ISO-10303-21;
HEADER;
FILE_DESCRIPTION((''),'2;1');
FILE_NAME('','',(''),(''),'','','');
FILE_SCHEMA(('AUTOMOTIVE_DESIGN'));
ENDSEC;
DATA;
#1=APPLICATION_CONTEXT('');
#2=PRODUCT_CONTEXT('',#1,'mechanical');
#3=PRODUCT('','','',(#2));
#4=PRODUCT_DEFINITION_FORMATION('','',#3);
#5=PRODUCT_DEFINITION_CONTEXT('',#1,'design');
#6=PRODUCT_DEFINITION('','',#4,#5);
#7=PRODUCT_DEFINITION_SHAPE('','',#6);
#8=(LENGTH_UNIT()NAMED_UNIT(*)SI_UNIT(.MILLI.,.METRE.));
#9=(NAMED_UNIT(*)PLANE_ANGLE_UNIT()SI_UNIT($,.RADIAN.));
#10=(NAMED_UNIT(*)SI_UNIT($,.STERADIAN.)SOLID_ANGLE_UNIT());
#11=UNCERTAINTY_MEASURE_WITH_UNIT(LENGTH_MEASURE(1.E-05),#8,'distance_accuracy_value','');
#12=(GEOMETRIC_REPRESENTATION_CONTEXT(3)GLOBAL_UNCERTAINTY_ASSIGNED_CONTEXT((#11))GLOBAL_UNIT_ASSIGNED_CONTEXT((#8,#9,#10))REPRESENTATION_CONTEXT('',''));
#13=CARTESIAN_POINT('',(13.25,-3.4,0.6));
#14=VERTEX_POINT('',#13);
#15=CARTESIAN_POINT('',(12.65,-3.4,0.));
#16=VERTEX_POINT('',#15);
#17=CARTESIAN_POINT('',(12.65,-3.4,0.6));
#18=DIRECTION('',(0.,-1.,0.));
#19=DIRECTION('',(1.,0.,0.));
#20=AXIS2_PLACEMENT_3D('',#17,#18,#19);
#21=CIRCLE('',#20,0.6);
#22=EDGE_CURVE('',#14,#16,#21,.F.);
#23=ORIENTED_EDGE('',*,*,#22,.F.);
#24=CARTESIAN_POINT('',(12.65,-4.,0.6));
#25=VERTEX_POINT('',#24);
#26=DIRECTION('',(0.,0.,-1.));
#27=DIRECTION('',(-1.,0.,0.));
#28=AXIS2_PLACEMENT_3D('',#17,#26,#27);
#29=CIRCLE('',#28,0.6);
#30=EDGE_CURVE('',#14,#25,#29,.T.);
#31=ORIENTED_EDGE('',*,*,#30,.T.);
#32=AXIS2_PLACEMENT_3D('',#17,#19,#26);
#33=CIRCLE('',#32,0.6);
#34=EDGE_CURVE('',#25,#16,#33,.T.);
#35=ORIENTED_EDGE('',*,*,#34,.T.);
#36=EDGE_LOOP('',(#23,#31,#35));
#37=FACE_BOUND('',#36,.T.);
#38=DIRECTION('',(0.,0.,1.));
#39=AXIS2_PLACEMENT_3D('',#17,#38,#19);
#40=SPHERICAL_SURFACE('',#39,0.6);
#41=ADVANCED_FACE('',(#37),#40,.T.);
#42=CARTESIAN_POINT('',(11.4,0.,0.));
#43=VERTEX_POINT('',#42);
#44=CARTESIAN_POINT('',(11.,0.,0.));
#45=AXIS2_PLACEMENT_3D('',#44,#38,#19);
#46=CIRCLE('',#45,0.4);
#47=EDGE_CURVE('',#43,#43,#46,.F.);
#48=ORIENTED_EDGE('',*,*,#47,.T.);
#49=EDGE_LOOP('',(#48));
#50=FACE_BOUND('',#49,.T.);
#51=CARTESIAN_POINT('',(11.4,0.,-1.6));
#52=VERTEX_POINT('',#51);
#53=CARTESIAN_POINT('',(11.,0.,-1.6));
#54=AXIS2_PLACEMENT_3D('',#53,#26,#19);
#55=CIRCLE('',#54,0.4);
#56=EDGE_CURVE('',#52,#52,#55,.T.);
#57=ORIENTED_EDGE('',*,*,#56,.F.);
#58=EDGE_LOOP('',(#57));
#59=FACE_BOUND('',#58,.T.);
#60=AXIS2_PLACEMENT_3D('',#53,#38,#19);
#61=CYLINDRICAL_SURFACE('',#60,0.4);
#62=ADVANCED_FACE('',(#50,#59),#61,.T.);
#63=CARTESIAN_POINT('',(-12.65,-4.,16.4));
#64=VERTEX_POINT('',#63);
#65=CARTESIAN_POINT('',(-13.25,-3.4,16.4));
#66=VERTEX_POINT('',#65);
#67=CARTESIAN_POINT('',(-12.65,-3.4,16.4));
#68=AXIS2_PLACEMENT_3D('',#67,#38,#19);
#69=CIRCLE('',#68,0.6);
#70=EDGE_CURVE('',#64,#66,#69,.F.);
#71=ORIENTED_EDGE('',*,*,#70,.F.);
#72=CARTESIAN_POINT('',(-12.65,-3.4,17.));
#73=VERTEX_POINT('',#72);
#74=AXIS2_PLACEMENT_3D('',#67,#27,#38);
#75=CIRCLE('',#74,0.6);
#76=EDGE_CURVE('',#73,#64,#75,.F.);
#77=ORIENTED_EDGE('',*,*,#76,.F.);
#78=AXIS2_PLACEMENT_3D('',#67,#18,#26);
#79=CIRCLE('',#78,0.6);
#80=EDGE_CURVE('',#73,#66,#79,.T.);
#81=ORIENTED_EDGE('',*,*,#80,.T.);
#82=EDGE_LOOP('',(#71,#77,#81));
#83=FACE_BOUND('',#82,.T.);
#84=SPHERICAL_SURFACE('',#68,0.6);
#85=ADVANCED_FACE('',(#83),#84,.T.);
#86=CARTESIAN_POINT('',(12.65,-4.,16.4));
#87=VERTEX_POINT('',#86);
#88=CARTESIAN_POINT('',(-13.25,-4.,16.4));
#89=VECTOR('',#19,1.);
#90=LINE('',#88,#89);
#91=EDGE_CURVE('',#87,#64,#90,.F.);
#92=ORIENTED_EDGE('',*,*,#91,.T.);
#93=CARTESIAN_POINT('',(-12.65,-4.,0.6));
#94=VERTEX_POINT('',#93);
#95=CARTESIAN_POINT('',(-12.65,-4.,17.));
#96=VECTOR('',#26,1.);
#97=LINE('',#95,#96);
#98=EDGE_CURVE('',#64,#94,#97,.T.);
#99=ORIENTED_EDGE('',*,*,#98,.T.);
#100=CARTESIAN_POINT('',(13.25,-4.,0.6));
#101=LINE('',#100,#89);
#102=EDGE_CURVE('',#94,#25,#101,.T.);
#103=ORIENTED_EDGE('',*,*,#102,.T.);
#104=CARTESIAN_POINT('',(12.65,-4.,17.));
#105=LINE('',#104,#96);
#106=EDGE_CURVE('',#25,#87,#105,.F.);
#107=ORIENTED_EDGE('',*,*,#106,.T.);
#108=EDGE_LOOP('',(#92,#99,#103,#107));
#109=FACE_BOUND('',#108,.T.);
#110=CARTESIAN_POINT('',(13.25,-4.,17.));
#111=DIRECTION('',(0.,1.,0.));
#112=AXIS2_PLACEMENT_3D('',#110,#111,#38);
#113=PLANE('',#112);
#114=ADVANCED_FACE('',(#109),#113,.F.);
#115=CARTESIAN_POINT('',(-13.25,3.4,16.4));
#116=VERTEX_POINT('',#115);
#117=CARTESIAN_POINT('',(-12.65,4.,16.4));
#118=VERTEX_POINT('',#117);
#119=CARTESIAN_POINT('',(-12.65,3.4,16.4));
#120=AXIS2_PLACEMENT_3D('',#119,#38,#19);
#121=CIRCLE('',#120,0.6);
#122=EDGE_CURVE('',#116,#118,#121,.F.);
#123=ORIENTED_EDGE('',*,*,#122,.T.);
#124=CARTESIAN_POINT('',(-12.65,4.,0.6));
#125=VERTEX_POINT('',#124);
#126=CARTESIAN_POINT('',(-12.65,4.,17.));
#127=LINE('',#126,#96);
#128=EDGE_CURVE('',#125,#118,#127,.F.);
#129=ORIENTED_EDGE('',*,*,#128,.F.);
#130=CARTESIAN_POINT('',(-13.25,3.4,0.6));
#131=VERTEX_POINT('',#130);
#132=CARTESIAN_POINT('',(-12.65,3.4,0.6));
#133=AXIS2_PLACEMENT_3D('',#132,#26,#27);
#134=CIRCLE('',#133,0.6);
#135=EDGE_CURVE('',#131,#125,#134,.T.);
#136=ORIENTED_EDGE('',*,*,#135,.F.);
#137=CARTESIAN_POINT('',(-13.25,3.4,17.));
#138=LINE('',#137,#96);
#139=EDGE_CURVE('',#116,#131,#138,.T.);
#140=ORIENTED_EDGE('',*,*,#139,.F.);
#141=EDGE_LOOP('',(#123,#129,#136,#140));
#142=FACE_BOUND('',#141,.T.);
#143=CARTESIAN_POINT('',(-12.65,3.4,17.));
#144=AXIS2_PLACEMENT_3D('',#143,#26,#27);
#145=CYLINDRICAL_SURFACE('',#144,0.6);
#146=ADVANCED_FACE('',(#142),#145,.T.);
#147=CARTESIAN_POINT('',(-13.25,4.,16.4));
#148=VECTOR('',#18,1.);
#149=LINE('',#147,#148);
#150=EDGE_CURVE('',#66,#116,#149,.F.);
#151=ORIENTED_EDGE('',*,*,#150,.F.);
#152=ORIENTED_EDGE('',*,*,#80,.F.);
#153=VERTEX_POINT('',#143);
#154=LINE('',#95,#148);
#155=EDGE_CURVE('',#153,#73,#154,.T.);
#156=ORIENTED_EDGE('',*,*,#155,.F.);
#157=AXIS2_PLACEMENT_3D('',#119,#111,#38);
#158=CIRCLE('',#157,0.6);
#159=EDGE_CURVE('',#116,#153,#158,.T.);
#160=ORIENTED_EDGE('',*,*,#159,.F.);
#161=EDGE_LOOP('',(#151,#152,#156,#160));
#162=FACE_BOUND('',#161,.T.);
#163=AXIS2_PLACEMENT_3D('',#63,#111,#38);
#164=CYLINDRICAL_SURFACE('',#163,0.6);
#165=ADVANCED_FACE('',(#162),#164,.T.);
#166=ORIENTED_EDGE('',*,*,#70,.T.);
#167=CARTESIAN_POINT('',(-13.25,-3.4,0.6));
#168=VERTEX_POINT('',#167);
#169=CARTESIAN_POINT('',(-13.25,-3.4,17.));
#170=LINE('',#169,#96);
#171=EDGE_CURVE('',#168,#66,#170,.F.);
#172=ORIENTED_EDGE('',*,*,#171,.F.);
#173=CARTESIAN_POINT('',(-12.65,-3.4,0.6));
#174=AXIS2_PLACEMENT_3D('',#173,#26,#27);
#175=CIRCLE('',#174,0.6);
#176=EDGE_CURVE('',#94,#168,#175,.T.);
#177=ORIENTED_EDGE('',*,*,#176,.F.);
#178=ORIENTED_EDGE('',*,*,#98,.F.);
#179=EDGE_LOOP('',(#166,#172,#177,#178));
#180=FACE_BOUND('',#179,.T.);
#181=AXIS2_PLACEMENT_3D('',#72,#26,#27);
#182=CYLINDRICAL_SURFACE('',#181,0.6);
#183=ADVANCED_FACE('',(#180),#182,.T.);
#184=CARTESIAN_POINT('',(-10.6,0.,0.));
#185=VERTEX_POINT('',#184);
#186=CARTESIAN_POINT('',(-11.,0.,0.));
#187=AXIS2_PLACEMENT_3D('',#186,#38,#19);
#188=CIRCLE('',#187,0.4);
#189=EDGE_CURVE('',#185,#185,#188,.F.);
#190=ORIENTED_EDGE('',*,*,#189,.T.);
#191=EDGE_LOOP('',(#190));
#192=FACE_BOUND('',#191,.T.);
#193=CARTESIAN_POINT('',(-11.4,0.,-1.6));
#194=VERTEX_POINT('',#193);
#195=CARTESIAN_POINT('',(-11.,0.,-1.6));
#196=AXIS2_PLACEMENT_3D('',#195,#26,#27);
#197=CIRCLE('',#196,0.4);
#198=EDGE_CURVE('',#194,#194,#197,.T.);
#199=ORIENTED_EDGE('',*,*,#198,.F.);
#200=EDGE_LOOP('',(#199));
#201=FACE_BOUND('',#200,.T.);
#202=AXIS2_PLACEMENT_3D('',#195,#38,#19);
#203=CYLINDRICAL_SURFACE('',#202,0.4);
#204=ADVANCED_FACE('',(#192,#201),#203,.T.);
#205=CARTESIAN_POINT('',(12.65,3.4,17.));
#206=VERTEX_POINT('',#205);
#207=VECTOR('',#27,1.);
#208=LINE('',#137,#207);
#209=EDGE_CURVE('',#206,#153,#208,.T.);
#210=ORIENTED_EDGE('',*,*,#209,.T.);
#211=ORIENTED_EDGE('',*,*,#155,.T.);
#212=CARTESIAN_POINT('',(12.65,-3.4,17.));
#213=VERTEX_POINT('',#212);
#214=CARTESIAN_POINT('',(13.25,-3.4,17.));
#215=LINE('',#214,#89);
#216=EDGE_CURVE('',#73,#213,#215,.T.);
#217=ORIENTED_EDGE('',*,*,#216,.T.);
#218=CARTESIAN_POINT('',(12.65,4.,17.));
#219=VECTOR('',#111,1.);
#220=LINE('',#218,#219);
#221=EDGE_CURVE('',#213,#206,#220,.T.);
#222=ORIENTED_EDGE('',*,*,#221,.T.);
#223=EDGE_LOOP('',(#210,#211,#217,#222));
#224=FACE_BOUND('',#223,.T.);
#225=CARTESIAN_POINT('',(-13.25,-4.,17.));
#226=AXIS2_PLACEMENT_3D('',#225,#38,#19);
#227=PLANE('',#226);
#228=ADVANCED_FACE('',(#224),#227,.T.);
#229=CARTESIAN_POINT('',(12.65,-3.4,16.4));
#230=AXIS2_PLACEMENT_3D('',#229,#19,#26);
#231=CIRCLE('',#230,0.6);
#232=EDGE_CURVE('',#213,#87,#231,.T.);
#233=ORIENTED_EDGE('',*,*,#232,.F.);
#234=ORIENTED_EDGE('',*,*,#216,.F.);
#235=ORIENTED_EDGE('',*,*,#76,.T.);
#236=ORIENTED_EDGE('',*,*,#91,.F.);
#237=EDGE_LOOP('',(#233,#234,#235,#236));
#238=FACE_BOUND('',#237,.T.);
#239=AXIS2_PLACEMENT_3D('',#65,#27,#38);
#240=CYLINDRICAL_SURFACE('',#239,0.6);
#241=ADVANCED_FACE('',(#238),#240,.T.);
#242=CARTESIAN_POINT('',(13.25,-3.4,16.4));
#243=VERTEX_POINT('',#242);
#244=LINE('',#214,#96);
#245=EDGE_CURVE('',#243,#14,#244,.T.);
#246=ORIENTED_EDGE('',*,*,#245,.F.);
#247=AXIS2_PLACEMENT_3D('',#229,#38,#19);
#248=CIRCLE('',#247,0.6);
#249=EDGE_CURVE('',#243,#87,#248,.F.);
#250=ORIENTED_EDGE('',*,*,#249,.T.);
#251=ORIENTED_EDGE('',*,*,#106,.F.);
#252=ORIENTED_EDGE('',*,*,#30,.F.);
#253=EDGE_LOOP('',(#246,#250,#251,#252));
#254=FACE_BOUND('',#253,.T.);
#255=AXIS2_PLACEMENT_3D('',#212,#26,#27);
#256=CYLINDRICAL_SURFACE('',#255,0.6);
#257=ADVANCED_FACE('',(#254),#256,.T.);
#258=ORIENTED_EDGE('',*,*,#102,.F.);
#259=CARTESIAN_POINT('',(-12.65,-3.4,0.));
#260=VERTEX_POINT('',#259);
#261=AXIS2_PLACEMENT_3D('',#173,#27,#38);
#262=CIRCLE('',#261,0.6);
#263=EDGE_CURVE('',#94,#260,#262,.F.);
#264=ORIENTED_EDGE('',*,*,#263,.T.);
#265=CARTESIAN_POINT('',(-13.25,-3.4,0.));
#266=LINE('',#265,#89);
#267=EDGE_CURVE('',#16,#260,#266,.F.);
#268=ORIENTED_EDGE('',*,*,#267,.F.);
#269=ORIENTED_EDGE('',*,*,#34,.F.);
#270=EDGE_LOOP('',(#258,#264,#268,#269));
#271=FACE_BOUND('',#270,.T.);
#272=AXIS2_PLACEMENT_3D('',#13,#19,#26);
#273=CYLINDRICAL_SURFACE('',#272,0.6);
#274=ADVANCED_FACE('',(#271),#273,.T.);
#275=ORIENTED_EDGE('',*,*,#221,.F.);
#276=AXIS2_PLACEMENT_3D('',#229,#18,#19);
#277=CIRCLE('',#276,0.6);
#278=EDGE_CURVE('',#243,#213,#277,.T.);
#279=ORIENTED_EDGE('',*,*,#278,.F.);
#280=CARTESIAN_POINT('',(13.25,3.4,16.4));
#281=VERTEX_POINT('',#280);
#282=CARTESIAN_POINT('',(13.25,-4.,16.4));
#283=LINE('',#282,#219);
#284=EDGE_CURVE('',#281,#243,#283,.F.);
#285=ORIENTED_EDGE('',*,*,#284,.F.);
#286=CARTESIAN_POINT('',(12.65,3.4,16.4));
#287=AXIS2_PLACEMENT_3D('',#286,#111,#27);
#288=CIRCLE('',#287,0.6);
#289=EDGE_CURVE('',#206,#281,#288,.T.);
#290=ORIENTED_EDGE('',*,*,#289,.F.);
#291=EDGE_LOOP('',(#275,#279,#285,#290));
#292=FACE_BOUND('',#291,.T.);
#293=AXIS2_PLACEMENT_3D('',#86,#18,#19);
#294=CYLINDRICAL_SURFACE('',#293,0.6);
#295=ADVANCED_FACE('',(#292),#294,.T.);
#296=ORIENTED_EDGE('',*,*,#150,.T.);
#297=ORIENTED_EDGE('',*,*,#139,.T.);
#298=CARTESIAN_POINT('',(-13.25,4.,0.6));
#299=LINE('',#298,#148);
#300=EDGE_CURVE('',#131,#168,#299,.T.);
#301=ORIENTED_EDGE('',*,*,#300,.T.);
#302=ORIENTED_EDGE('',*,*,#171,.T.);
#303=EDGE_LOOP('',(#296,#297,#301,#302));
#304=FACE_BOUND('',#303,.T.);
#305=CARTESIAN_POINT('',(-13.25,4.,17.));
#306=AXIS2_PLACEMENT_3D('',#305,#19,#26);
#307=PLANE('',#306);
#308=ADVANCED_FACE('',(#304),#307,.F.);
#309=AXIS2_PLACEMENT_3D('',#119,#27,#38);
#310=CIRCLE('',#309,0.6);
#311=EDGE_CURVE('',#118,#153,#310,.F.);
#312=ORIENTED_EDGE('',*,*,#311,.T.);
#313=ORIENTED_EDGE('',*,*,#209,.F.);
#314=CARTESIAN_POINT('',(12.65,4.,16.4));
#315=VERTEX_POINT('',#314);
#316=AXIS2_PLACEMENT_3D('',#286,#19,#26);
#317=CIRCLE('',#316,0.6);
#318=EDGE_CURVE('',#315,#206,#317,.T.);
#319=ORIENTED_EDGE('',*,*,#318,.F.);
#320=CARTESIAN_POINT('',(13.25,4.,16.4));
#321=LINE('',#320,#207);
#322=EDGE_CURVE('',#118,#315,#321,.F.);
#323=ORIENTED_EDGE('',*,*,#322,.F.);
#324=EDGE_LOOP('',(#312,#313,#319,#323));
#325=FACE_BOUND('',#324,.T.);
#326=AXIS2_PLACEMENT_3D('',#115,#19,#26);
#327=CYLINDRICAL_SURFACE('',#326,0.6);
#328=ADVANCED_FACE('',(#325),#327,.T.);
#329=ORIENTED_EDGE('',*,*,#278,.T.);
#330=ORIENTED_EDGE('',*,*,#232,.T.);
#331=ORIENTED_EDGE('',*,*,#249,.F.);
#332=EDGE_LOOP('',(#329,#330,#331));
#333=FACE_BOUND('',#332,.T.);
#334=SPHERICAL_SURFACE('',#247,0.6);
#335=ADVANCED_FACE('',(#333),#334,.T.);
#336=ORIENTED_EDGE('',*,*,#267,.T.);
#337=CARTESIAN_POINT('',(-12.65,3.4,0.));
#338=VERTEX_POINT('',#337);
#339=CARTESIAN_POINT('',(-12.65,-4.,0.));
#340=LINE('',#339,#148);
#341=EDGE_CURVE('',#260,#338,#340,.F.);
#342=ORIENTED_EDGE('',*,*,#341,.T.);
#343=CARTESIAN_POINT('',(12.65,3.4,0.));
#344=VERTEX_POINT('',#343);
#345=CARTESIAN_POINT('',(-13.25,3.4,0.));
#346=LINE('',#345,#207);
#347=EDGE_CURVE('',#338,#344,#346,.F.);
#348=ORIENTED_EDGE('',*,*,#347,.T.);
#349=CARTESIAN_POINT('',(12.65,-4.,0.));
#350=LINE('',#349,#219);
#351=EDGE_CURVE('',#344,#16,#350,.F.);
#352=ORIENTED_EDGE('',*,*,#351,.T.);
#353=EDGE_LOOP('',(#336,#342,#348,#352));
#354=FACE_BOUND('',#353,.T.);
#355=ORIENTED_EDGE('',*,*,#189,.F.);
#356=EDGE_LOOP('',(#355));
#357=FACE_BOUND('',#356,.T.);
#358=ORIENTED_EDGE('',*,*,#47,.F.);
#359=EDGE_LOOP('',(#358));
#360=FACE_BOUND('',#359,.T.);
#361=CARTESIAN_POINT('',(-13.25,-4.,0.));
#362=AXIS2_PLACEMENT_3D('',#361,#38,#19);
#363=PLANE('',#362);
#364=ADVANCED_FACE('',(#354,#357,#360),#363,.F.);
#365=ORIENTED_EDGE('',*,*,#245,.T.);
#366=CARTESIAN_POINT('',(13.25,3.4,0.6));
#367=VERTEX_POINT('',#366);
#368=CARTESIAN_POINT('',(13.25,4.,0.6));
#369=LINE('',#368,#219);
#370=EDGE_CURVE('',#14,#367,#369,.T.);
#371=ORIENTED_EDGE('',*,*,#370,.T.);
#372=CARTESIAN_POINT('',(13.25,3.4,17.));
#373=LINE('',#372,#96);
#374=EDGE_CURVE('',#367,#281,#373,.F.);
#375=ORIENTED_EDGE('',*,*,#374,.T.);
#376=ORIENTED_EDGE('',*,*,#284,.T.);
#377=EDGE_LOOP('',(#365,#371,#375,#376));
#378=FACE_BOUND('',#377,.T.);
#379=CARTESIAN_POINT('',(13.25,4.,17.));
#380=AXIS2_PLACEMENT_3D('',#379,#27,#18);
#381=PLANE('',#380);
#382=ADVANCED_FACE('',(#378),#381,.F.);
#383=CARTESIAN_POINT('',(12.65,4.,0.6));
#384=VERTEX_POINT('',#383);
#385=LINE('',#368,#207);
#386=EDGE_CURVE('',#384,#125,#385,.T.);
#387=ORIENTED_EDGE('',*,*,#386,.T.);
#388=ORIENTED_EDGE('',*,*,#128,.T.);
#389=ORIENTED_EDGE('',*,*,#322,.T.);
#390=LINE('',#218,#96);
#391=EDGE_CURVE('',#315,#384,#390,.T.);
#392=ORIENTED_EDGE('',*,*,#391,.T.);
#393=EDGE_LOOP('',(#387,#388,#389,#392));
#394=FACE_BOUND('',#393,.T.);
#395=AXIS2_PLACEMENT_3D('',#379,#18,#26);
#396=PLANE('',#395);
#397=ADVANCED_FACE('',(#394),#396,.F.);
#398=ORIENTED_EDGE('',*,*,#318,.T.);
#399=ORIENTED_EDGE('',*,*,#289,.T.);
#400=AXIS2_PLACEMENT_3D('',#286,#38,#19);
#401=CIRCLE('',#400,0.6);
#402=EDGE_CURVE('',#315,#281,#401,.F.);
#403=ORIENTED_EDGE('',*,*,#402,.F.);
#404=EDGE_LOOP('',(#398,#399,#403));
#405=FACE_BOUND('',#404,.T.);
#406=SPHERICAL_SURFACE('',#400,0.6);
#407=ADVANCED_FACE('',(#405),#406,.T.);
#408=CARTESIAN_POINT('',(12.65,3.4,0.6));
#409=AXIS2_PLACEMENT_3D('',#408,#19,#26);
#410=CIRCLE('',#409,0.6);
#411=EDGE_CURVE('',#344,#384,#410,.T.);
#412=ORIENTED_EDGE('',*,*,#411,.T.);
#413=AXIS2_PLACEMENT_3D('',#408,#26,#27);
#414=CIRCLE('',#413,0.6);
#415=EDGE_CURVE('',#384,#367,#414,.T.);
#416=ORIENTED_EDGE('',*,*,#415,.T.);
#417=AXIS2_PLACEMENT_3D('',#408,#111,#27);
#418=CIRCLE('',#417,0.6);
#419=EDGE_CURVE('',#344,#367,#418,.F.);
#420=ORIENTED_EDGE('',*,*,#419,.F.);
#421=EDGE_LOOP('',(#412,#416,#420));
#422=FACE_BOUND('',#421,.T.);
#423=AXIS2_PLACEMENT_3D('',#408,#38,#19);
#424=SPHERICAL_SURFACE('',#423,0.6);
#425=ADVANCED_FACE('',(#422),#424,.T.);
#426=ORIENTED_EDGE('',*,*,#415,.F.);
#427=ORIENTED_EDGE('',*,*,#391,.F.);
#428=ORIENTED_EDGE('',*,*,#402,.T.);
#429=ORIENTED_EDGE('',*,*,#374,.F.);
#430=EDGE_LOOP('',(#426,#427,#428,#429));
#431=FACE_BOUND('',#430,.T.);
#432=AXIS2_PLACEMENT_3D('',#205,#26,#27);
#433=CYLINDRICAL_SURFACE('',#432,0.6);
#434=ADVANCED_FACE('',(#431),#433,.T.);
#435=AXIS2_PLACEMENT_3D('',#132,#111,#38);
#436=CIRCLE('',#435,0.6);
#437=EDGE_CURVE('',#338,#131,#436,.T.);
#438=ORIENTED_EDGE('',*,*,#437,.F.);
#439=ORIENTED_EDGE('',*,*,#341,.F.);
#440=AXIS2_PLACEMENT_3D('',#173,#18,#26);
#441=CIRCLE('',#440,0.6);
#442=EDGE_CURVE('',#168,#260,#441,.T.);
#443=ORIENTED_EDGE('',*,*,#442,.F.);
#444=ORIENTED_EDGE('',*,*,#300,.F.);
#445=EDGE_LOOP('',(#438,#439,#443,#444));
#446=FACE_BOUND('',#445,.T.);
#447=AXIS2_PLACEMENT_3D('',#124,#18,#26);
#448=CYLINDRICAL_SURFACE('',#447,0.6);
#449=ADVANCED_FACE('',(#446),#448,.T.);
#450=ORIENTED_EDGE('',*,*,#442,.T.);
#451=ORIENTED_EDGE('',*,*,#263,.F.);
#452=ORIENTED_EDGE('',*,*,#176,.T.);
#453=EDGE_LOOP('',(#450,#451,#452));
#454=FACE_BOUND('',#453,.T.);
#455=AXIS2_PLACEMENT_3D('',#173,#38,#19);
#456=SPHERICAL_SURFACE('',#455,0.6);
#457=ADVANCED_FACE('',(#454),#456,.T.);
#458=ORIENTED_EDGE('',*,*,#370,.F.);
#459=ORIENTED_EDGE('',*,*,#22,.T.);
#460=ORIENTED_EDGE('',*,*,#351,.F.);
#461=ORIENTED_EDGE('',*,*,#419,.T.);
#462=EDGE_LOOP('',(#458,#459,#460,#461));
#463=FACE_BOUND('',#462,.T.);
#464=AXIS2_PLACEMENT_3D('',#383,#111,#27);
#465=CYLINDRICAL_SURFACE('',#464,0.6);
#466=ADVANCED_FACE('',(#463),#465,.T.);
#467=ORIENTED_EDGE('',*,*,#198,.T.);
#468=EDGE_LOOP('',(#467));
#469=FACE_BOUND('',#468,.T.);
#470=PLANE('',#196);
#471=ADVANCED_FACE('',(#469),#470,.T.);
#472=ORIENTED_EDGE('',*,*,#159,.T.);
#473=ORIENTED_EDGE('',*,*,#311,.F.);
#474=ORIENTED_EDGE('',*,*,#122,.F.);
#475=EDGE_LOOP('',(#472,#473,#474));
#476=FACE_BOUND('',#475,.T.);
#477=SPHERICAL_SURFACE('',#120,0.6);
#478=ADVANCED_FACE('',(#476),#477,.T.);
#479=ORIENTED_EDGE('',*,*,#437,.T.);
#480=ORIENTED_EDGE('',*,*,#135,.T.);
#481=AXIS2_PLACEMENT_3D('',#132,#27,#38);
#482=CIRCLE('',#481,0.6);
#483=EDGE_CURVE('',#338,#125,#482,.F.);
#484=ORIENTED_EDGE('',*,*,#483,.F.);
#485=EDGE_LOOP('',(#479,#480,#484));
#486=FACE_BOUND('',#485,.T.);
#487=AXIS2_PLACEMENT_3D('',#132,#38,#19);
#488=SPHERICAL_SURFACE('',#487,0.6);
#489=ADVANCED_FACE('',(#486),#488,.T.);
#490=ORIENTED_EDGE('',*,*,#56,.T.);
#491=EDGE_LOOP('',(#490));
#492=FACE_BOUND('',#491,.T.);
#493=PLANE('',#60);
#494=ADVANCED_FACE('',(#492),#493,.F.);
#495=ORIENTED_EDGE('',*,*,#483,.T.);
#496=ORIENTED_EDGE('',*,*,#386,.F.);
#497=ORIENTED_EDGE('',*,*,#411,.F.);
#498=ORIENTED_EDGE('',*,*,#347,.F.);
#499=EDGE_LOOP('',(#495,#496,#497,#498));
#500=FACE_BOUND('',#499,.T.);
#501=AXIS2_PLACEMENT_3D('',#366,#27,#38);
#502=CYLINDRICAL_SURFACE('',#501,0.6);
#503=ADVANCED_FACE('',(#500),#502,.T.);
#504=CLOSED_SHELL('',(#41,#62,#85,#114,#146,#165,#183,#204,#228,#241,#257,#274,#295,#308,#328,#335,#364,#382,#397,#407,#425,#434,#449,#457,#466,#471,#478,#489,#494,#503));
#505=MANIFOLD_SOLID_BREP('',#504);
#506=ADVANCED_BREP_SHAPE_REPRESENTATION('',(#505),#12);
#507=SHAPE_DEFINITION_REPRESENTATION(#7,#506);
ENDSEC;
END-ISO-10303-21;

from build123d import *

# Parameters (mm, degrees)
SKETCH_1_W      = 26.5
SKETCH_1_H      = 8
EXTRUDE_1_DEPTH = 17
FILLET_1_R      = 0.6
SKETCH_2_R      = 0.4
EXTRUDE_2_DEPTH = 1.6


with BuildPart() as part:
    # 草图1 → 凸台-拉伸1 (new body)
    with BuildSketch(Plane.XY):
        Rectangle(SKETCH_1_W, SKETCH_1_H)
    extrude(amount=EXTRUDE_1_DEPTH)

    # 圆角1
    fillet_1_edges = [part.edges().sort_by_distance(p)[0] for p in [
        (0, 4, 17),
        (-13.25, 0, 17),
        (0, -4, 17),
        (-13.25, 0, 0),
        (0, 4, 0),
        (13.25, 0, 0),
        (0, -4, 0),
        (13.25, 0, 17),
        (-13.25, -4, 8.5),
        (-13.25, 4, 8.5),
        (13.25, 4, 8.5),
        (13.25, -4, 8.5),
    ]]
    fillet(fillet_1_edges, radius=FILLET_1_R)

    # 草图2 → 凸台-拉伸2 (add)
    with BuildSketch(Plane(origin=(0, 0, 0), x_dir=(-1, 0, 0), z_dir=(0, 0, -1))):
        with Locations(Location((11, 0, 0), (0, 0, 180))):
            Circle(SKETCH_2_R)
        with Locations(Location((-11, 0, 0), (0, 0, 180))):
            Circle(SKETCH_2_R)
    extrude(amount=EXTRUDE_2_DEPTH)


solid = part.part
